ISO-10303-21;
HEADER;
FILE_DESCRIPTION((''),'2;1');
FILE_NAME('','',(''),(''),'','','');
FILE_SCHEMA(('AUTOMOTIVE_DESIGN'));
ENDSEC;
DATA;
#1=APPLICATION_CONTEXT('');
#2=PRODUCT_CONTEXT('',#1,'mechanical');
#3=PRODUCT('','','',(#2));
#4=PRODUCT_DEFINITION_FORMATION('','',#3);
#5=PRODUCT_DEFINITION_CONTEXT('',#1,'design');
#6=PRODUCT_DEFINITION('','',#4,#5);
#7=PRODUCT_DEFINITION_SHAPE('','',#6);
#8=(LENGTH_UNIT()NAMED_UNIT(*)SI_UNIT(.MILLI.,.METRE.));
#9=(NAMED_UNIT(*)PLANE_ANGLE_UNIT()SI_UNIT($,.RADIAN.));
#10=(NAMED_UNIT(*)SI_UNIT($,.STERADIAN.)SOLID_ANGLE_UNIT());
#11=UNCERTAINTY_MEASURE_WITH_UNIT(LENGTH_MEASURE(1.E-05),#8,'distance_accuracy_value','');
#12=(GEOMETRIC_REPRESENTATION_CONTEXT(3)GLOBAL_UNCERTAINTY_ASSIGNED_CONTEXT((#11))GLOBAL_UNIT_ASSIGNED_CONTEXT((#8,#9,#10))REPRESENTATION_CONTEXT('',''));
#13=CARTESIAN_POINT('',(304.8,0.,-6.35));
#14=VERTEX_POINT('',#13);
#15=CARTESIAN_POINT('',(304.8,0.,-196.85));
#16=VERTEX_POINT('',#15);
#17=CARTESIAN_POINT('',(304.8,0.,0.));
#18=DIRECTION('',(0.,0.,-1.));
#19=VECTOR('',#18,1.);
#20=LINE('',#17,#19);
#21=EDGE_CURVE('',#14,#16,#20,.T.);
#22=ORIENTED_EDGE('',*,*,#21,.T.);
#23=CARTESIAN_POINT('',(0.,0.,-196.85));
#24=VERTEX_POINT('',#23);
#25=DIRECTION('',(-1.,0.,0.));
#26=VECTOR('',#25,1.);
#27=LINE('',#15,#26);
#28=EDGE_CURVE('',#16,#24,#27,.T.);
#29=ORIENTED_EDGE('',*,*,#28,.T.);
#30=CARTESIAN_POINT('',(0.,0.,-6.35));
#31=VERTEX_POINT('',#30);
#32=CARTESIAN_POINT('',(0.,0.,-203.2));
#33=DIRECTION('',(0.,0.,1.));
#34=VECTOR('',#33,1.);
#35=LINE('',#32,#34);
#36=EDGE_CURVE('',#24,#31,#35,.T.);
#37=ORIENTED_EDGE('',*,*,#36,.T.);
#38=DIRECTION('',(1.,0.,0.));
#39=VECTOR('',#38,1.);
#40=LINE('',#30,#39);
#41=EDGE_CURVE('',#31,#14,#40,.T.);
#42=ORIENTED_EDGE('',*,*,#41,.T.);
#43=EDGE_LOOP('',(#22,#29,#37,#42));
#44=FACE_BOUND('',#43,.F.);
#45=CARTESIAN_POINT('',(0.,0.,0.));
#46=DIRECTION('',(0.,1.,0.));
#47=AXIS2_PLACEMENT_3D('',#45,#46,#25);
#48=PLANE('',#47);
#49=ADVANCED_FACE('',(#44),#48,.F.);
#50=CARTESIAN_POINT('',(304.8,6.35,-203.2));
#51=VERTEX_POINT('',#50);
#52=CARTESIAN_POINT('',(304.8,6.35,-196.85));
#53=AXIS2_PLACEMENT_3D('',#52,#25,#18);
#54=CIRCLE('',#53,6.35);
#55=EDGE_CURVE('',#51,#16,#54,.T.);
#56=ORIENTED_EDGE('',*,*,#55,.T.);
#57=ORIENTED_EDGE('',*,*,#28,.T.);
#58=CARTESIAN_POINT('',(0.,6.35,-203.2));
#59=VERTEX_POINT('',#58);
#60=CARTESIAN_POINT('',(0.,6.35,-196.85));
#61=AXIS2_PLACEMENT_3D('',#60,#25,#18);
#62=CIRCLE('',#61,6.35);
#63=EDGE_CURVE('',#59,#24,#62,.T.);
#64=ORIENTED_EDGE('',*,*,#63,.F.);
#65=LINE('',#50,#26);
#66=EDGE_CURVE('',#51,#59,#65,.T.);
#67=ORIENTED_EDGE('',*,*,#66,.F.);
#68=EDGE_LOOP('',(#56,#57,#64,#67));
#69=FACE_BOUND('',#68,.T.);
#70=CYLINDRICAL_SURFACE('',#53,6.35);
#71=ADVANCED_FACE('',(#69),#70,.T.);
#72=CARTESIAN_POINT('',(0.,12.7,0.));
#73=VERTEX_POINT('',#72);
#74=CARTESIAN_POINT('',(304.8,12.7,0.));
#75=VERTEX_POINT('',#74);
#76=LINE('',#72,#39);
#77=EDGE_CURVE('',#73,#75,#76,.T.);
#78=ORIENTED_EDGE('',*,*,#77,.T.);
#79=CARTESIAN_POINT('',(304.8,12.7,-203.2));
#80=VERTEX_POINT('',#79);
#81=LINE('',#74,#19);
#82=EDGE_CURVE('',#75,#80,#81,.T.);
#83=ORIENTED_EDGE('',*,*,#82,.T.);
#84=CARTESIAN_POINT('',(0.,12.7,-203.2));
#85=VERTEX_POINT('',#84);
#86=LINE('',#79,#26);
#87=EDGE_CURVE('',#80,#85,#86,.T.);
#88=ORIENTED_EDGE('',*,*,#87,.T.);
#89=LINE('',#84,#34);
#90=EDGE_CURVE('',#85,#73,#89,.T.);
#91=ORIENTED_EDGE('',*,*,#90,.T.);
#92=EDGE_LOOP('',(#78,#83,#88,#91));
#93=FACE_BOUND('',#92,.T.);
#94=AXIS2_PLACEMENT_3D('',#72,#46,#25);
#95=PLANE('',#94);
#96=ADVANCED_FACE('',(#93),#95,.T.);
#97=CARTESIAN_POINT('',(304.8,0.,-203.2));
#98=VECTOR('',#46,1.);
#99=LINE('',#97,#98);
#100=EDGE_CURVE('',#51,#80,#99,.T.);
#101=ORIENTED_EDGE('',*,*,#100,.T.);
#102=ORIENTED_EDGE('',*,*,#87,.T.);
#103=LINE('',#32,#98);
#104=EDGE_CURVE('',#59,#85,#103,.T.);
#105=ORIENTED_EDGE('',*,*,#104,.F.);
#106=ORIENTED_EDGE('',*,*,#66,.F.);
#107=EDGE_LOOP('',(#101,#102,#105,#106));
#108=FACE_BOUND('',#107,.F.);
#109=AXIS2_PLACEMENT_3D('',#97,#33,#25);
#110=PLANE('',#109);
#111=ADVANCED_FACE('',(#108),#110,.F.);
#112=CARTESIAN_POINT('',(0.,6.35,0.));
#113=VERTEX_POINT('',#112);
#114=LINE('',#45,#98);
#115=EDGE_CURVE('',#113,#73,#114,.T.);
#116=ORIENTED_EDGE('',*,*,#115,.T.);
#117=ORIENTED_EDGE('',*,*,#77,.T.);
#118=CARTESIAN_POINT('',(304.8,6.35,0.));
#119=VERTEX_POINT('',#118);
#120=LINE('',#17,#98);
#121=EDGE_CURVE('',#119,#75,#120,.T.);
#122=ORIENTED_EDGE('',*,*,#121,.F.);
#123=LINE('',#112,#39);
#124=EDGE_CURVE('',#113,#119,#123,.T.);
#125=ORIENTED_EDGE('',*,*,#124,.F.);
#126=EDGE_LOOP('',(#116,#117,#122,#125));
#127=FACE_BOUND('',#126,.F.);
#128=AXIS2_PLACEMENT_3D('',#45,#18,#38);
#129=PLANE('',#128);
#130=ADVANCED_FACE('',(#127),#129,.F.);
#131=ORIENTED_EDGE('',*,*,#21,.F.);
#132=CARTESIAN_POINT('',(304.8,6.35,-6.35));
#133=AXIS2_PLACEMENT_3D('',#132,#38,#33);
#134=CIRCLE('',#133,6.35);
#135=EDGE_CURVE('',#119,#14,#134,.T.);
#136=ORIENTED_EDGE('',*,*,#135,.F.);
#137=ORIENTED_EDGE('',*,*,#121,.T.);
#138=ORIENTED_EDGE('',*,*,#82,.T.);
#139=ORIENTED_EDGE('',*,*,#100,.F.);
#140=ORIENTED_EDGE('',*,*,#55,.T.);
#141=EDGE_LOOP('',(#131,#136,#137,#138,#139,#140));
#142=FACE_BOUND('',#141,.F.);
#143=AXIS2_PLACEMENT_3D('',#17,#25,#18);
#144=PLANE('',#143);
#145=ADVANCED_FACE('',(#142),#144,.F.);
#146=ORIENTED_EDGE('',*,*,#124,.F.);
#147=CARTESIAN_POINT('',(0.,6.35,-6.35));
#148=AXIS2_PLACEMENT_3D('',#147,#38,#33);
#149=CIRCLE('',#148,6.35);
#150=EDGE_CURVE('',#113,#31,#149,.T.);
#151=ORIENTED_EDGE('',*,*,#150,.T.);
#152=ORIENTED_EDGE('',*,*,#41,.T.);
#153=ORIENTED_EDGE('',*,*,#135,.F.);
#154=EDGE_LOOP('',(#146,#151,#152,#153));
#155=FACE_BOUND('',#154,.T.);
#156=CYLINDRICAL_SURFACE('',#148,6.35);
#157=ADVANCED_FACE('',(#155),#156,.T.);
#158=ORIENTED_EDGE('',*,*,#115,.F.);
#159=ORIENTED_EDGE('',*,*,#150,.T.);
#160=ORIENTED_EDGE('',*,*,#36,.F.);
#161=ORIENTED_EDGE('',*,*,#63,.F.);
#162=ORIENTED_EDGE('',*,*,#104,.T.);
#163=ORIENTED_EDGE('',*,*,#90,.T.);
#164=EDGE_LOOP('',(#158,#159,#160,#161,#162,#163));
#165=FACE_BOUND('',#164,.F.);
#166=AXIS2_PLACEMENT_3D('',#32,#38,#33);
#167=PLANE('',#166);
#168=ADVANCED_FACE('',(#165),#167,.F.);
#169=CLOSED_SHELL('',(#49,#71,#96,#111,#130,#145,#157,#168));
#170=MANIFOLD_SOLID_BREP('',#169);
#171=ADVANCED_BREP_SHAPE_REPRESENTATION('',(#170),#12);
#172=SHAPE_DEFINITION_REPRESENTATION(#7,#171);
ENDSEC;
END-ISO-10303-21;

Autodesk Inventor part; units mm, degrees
ref_plane "YZ Plane" through (0, 0, 0) normal (1, 0, 0) x (0, 1, 0)
ref_plane "XZ Plane" through (0, 0, 0) normal (0, 1, 0) x (-1, 0, 0)
ref_plane "XY Plane" through (0, 0, 0) normal (0, 0, 1) x (1, 0, 0)
sketch "Sketch1" plane through (0, 0, 0) normal (0, 1, 0) x (-1, 0, 0)
  line L0 (0, 0) -> (-304.8, 0)
  line L1 (-304.8, 0) -> (-304.8, -203.2)
  line L2 (-304.8, -203.2) -> (0, -203.2)
  line L3 (0, -203.2) -> (0, 0)
  dimension "d0" = 203.2
  dimension "d1" = 304.8
extrude "Extrusion1" add sketch "Sketch1" along normal blind 12.7
fillet "Fillet1" radius 6.35 2 edges at (152.4, 0, 0) (152.4, 0, -203.2)
properties material "MDF Medium Density Fiberboard"
